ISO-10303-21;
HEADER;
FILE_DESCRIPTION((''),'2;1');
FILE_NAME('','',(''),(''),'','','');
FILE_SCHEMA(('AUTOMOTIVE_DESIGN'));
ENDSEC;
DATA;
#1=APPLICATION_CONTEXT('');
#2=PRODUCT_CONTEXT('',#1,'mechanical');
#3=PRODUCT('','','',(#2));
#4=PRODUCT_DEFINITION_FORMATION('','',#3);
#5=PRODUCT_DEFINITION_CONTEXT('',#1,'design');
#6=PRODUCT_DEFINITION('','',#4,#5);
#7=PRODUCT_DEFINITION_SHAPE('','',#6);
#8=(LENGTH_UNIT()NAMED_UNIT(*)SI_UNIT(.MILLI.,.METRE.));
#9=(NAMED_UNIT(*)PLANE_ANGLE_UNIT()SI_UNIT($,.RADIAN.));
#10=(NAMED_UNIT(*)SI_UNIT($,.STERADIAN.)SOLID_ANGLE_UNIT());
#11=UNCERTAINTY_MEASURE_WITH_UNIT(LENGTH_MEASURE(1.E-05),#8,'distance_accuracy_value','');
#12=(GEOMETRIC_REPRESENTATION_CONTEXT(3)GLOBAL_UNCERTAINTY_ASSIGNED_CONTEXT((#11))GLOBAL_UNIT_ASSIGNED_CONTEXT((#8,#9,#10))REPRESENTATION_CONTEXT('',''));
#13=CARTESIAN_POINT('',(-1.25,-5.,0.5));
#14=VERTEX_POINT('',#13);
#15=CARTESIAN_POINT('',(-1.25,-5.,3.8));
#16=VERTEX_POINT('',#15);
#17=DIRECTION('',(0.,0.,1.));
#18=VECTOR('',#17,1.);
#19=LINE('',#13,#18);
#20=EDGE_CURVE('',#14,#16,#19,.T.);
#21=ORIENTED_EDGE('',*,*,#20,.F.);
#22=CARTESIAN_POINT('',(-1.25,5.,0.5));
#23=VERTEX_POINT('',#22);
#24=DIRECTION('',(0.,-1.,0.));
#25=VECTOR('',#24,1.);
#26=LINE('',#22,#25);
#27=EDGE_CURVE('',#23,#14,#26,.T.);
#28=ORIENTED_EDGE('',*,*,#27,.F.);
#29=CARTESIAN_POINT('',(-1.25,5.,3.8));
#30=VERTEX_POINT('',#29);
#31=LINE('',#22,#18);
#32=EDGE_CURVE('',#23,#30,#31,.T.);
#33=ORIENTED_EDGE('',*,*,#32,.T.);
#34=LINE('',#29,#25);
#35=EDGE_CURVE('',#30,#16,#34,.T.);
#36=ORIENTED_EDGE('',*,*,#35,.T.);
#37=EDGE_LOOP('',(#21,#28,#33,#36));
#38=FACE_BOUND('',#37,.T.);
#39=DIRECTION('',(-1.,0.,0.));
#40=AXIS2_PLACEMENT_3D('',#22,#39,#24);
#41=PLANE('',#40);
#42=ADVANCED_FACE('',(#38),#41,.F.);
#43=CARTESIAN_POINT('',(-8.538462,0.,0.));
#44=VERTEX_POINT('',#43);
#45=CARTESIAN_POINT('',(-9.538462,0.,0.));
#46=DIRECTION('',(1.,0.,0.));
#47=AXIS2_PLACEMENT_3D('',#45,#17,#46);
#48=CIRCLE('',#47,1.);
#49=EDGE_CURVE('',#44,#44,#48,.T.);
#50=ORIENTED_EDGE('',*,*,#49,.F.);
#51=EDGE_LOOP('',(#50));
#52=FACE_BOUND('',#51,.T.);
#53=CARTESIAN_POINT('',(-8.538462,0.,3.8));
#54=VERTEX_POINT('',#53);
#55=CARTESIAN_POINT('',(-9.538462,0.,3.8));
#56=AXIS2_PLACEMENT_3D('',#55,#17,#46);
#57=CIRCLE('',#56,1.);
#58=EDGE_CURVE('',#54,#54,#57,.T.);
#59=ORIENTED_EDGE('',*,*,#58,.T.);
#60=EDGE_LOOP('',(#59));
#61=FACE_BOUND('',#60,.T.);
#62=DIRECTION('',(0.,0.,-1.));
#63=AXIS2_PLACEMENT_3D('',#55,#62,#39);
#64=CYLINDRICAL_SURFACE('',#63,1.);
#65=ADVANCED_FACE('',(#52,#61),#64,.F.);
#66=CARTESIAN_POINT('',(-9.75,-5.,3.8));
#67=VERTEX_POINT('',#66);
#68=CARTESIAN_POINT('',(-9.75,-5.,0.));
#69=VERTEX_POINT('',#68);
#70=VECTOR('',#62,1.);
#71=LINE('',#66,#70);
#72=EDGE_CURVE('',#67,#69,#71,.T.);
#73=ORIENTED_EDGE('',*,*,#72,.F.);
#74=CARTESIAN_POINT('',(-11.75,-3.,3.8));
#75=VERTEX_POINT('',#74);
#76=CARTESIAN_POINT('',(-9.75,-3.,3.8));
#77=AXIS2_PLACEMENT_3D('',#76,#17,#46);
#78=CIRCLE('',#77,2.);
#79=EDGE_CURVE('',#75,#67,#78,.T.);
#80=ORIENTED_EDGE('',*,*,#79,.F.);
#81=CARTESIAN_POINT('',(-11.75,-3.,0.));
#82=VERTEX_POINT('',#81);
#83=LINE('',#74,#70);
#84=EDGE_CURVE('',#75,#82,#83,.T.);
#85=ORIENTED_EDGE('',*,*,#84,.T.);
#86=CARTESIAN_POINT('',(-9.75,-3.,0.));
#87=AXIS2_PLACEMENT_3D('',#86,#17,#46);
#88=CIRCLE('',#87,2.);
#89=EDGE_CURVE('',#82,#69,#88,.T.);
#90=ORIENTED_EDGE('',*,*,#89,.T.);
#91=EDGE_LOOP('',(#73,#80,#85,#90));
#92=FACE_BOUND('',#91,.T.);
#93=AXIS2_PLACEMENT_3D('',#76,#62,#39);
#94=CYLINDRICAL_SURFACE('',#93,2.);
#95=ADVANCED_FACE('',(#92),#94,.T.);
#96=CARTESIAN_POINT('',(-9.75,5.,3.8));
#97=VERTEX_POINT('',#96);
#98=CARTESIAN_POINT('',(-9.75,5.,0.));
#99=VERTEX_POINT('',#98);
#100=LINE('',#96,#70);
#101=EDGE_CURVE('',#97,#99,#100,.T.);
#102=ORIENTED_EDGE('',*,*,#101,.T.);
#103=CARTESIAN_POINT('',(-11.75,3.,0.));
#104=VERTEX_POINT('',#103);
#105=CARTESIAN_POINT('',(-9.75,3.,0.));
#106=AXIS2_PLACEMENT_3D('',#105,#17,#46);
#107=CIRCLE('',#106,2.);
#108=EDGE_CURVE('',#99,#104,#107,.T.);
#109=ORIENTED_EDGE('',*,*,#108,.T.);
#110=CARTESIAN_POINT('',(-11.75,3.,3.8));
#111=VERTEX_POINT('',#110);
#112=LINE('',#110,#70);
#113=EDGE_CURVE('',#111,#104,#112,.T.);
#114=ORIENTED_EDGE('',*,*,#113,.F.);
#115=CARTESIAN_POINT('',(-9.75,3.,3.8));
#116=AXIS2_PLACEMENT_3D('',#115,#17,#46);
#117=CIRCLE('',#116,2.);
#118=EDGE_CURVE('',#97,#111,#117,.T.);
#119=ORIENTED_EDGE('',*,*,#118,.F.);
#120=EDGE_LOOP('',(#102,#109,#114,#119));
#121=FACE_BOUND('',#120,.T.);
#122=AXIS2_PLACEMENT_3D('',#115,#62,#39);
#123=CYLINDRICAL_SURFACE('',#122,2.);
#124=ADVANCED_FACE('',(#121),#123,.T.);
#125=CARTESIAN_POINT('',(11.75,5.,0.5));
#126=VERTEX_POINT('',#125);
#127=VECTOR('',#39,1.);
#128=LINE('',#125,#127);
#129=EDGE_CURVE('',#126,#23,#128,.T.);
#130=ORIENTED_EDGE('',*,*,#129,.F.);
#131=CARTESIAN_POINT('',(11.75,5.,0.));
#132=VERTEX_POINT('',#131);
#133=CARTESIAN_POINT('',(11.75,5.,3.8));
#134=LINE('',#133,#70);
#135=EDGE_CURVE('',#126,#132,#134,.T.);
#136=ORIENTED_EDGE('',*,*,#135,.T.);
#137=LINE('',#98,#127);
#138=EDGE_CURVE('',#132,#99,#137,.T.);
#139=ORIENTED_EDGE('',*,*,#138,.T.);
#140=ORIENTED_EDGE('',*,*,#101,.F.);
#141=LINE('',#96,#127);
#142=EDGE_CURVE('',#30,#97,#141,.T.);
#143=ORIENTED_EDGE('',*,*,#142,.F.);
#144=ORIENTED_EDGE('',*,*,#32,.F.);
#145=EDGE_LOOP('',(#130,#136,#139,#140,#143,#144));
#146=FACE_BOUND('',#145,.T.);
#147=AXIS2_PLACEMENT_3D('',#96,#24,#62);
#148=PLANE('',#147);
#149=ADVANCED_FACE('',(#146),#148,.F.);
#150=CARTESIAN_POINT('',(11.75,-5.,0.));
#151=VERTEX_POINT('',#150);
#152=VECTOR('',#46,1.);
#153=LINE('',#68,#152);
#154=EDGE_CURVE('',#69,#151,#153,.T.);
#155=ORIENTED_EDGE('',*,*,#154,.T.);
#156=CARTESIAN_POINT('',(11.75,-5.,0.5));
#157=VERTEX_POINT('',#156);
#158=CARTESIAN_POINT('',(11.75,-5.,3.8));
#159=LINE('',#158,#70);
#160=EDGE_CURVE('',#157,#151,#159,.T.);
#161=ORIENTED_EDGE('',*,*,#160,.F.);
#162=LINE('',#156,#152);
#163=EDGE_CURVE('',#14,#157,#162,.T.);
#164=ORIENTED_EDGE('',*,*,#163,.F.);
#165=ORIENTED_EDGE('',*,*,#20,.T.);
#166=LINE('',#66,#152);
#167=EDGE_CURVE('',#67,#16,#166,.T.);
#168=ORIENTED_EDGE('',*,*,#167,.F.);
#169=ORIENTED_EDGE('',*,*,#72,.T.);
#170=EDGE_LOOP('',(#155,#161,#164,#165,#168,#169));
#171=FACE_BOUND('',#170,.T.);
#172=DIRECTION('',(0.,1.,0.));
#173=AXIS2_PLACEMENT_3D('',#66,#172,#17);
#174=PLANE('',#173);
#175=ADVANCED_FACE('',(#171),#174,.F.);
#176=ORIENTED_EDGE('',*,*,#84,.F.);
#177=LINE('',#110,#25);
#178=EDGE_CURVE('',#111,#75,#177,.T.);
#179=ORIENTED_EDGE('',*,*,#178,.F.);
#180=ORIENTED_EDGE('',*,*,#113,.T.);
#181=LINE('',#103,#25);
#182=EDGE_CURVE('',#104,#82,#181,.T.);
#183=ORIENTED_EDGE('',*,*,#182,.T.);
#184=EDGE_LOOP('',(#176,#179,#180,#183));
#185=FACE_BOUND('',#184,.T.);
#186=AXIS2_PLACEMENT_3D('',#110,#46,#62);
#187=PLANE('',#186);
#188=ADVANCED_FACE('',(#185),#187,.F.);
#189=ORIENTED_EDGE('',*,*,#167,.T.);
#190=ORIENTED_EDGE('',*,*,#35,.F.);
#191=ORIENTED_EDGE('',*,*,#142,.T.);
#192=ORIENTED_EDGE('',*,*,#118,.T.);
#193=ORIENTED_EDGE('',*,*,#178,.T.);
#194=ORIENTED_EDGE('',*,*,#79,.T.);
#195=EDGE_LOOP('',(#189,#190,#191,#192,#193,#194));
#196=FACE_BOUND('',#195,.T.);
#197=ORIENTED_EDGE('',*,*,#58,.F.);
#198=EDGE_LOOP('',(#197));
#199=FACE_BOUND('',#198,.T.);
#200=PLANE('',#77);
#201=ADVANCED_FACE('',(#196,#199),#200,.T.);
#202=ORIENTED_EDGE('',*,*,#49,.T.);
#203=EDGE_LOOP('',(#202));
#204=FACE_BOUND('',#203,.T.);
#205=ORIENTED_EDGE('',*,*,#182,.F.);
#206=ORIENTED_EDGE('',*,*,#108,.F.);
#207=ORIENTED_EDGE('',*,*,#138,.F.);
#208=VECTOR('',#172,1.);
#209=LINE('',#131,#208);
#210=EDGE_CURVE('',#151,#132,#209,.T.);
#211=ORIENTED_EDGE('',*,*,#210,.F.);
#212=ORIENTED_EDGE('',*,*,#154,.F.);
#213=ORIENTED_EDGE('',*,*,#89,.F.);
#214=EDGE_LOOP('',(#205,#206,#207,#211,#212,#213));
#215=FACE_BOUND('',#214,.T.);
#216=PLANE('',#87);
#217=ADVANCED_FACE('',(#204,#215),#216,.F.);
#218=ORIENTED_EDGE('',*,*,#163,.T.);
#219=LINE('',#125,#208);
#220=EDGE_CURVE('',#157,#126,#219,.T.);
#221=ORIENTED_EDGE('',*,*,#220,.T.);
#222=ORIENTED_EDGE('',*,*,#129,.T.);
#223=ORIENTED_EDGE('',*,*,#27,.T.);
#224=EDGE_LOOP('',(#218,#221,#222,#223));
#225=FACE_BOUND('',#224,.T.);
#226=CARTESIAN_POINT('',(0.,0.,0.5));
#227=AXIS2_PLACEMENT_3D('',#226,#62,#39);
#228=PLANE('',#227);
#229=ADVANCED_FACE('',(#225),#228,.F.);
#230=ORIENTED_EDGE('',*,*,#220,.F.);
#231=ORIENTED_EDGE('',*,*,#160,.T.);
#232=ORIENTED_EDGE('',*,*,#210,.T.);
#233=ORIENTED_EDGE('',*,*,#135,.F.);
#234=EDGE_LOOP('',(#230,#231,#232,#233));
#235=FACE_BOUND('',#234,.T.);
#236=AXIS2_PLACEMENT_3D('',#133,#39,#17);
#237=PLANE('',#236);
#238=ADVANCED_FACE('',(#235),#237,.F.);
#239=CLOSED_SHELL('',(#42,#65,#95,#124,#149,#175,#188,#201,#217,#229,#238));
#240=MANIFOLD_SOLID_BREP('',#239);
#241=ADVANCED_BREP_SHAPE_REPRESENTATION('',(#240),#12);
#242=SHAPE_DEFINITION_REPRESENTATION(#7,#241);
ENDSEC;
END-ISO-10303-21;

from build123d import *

# Parameters (mm, degrees)
SKETCH_1_R          = 1
EXTRUDE_1_DEPTH     = 3.8
SKETCH_2_W          = 13
SKETCH_2_H          = 10
CUT_EXTRUDE_1_DEPTH = 3.3


with BuildPart() as part:
    # Эскиз1 → Бобышка-Вытянуть1 (new body)
    with BuildSketch(Plane.XY):
        with BuildLine():
            Line((-9.75, 5), (11.75, 5))
            Line((11.75, 5), (11.75, -5))
            Line((11.75, -5), (-9.75, -5))
            ThreePointArc((-9.75, -5), (-11.164213562, -4.414213562), (-11.75, -3))
            Line((-11.75, -3), (-11.75, 3))
            ThreePointArc((-11.75, 3), (-11.164213562, 4.414213562), (-9.75, 5))
        make_face()
        with Locations((-9.538461538, 0)):
            Circle(SKETCH_1_R, mode=Mode.SUBTRACT)
    extrude(amount=EXTRUDE_1_DEPTH)

    # Эскиз2 → Вырез-Вытянуть1 (cut)
    with BuildSketch(Plane.XY.offset(3.8)):
        with Locations((5.25, 0)):
            Rectangle(SKETCH_2_W, SKETCH_2_H)
    extrude(amount=-CUT_EXTRUDE_1_DEPTH, mode=Mode.SUBTRACT)


solid = part.part
